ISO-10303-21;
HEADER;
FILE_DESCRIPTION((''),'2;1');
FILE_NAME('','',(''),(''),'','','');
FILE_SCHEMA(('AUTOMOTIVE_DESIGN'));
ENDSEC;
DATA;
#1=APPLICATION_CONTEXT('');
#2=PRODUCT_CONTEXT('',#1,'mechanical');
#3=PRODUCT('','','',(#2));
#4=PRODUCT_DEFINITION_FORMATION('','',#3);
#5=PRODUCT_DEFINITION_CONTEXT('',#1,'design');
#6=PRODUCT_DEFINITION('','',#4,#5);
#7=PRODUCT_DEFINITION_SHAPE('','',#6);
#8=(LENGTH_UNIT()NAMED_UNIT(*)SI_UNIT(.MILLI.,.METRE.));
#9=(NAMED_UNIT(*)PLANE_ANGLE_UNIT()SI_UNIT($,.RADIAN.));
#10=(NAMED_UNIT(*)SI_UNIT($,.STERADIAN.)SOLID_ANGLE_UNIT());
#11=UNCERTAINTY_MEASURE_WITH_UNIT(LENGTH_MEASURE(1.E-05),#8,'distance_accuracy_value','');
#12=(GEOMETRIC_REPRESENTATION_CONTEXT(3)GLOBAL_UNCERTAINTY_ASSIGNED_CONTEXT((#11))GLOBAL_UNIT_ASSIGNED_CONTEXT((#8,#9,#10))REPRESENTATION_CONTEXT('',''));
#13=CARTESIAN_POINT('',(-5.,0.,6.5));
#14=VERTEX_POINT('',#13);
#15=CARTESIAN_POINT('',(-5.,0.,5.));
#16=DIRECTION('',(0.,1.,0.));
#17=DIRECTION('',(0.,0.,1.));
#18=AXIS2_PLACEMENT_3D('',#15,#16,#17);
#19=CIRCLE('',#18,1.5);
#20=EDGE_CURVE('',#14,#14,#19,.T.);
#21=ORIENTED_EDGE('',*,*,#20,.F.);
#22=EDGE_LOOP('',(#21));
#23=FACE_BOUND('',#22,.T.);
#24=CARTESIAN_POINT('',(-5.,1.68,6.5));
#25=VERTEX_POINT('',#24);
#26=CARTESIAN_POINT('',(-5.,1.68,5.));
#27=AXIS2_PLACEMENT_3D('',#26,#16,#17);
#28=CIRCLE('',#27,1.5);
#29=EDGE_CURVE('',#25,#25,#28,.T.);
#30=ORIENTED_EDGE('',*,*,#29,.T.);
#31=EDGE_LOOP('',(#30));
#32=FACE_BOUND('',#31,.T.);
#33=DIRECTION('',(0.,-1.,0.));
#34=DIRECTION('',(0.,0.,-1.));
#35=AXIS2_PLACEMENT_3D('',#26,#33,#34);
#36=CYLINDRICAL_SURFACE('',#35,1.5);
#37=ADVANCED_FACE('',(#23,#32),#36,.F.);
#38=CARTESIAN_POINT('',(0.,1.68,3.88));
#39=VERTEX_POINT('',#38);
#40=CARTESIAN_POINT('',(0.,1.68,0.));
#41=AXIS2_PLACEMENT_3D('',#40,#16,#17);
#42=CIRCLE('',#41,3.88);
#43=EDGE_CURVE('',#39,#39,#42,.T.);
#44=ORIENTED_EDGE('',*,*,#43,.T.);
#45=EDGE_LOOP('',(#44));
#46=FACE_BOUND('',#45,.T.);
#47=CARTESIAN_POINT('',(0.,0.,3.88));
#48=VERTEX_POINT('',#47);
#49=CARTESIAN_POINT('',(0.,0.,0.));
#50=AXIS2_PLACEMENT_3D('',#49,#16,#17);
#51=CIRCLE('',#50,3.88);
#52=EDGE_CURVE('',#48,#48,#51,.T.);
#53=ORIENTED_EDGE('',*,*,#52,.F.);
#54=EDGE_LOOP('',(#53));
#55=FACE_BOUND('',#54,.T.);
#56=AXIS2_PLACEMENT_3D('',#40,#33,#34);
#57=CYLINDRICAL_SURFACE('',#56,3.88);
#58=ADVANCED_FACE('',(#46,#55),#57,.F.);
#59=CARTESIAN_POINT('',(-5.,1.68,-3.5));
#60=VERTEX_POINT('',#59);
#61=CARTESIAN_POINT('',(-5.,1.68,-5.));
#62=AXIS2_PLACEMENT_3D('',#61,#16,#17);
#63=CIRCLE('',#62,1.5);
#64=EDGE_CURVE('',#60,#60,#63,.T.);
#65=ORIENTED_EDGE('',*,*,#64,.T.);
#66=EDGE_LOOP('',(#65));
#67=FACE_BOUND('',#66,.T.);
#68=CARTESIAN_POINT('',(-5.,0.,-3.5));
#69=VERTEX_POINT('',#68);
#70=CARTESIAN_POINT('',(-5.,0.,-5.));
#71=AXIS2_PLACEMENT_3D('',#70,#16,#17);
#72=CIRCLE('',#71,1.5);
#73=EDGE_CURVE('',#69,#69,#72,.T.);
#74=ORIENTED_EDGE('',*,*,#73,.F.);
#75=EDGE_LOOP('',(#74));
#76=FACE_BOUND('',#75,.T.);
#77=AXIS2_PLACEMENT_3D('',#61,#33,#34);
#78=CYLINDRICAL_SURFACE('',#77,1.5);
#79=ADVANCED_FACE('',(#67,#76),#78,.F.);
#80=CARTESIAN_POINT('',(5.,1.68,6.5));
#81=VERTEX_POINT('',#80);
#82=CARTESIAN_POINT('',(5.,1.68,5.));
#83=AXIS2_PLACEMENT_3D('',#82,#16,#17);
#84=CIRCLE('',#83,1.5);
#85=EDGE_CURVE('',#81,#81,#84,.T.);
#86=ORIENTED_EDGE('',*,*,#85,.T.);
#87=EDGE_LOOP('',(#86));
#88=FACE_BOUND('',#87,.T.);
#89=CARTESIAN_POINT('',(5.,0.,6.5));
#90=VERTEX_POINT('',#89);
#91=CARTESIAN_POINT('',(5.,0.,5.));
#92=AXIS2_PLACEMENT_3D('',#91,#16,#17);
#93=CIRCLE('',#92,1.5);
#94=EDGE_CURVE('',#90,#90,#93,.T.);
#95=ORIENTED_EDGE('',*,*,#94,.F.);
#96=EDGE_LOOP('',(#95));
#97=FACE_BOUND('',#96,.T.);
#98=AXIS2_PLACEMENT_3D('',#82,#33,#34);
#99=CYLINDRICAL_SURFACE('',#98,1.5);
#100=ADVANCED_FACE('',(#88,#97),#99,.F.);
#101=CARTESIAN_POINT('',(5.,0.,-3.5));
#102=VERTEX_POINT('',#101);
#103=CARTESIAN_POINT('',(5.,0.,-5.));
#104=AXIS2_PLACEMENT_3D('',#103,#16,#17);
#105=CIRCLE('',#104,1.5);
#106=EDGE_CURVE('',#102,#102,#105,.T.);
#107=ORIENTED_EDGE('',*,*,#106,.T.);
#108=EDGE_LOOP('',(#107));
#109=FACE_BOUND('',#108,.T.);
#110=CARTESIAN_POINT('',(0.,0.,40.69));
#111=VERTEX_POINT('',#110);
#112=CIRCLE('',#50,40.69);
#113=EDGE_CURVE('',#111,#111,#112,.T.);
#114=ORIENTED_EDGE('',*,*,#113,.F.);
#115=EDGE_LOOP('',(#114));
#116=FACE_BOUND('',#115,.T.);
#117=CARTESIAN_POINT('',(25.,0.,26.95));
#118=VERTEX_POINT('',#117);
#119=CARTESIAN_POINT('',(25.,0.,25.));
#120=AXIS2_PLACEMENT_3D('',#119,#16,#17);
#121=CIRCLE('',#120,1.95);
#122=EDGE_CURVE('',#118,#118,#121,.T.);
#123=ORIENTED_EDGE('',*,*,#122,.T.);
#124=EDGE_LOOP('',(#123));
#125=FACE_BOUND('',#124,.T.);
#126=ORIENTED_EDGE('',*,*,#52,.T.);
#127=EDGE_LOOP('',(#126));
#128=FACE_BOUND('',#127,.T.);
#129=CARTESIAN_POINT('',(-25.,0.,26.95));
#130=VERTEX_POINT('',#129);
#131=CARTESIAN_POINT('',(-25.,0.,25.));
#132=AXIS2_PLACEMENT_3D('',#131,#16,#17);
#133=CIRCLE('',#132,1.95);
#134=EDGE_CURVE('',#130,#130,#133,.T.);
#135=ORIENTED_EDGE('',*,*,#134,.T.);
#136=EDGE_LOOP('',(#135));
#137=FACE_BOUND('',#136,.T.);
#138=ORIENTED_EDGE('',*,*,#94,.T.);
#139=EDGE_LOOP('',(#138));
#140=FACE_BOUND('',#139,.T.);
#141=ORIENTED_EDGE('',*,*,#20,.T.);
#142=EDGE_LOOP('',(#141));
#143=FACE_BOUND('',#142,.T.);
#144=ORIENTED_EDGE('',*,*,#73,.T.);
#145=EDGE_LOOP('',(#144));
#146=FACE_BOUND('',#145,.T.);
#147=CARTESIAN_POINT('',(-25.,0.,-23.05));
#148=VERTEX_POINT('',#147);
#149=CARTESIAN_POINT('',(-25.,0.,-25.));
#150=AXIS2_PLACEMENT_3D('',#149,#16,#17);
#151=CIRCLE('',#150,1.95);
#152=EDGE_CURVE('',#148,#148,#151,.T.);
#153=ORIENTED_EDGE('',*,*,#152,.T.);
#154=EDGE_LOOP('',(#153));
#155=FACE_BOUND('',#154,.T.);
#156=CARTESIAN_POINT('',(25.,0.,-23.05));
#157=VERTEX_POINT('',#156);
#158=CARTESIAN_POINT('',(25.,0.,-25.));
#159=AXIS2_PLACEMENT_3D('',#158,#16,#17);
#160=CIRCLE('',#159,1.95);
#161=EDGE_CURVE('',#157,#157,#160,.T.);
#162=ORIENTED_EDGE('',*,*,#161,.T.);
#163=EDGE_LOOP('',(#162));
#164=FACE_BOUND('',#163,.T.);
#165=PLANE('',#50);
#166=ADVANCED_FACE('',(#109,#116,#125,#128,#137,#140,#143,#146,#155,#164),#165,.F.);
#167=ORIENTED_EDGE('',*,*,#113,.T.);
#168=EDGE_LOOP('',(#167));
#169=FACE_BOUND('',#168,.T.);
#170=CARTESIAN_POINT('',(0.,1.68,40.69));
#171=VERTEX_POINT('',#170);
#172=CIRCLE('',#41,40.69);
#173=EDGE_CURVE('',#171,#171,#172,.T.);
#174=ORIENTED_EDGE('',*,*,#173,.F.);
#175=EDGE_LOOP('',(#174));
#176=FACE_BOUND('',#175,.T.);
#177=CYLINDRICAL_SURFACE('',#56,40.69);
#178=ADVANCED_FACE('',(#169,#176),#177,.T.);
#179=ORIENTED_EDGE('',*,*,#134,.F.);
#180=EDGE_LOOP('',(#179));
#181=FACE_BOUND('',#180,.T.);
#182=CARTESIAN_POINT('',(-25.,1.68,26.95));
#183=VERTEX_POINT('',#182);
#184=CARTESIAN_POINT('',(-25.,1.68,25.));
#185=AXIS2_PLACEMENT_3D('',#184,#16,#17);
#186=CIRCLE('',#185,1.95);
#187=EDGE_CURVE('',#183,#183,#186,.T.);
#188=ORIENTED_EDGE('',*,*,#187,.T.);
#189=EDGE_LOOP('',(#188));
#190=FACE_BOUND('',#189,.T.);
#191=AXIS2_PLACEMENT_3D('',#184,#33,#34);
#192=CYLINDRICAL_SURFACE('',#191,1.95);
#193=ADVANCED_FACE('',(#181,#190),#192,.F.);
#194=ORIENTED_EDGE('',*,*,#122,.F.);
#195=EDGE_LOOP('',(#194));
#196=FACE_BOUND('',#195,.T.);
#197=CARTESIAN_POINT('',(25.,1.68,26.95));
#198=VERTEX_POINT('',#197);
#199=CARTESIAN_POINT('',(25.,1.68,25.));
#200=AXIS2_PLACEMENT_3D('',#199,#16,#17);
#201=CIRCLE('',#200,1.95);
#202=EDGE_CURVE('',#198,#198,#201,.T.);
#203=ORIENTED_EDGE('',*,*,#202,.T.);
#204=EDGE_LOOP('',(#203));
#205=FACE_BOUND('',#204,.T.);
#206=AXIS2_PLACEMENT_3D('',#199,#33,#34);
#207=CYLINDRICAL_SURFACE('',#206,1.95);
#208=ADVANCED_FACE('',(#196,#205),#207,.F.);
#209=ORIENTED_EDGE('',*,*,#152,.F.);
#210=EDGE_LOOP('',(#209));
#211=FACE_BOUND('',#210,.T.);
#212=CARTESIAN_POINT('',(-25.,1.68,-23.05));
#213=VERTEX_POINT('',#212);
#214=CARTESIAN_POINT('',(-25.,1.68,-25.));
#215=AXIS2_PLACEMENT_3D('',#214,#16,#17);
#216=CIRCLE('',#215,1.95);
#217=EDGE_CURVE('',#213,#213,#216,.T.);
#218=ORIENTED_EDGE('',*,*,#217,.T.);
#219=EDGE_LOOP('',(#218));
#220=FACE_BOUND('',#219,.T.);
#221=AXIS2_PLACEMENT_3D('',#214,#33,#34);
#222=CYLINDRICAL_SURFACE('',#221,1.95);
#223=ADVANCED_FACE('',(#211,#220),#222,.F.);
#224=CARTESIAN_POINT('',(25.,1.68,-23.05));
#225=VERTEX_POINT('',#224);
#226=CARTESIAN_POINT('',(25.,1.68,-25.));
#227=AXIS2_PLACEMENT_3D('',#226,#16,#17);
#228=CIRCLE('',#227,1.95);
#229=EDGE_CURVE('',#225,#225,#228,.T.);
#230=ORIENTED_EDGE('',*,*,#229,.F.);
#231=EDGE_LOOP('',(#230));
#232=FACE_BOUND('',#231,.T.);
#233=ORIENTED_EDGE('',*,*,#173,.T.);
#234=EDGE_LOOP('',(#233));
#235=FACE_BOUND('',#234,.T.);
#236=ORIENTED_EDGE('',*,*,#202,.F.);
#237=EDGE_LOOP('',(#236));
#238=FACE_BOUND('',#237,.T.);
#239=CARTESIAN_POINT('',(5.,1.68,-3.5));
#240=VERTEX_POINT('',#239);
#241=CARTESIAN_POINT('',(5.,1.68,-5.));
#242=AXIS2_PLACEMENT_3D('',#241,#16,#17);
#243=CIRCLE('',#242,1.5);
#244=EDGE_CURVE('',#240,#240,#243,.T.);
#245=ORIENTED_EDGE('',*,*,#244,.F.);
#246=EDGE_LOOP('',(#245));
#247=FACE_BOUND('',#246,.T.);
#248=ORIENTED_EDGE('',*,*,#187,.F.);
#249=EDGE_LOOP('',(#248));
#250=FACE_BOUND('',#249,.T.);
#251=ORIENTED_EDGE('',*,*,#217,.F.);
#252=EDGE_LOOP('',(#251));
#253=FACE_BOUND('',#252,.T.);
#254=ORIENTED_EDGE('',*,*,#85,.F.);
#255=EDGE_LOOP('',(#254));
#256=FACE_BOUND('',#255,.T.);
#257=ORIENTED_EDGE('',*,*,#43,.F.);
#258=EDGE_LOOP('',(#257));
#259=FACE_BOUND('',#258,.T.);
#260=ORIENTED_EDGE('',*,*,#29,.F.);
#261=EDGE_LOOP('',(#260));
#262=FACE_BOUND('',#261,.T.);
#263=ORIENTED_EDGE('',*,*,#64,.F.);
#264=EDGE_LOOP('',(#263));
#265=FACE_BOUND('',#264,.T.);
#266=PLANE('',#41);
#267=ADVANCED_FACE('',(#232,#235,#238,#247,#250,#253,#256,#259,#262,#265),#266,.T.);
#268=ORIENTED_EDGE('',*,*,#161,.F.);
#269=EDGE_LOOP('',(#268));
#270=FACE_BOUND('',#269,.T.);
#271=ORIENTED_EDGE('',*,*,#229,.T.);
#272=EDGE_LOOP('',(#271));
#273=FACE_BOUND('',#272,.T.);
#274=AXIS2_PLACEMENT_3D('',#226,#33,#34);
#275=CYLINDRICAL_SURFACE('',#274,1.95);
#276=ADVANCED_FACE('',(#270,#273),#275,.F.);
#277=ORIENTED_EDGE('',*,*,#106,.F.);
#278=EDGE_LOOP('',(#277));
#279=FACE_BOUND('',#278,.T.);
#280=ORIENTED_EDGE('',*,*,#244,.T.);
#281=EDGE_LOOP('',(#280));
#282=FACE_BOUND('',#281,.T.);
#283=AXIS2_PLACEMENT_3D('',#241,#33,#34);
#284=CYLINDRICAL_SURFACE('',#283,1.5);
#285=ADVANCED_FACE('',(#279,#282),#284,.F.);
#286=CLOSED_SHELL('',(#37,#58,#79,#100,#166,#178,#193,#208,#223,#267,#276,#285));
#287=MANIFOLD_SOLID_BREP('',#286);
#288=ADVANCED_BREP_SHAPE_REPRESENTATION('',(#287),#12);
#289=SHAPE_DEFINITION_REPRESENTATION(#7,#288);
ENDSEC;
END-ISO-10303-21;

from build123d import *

# Parameters (mm, degrees)
SKETCH1_R           = 40.69
SKETCH1_R_2         = 1.95
SKETCH1_R_3         = 1.5
SKETCH1_R_4         = 3.88
BOSS_EXTRUDE1_DEPTH = 1.68


with BuildPart() as part:
    # Sketch1 → Boss-Extrude1 (new body)
    with BuildSketch(Plane(origin=(0, 0, 0), x_dir=(1, 0, 0), z_dir=(0, 1, 0))):
        with Locations(Location((0, 0, 0), (0, 0, 270))):
            Circle(SKETCH1_R)
        with Locations(Location((-25, 25, 0), (0, 0, 270))):
            Circle(SKETCH1_R_2, mode=Mode.SUBTRACT)
        with Locations(Location((25, 25, 0), (0, 0, 270))):
            Circle(SKETCH1_R_2, mode=Mode.SUBTRACT)
        with Locations(Location((25, -25, 0), (0, 0, 270))):
            Circle(SKETCH1_R_2, mode=Mode.SUBTRACT)
        with Locations(Location((-25, -25, 0), (0, 0, 270))):
            Circle(SKETCH1_R_2, mode=Mode.SUBTRACT)
        with Locations(Location((-5, 5, 0), (0, 0, 270))):
            Circle(SKETCH1_R_3, mode=Mode.SUBTRACT)
        with Locations(Location((5, 5, 0), (0, 0, 270))):
            Circle(SKETCH1_R_3, mode=Mode.SUBTRACT)
        with Locations(Location((5, -5, 0), (0, 0, 270))):
            Circle(SKETCH1_R_3, mode=Mode.SUBTRACT)
        with Locations(Location((-5, -5, 0), (0, 0, 270))):
            Circle(SKETCH1_R_3, mode=Mode.SUBTRACT)
        with Locations(Location((0, 0, 0), (0, 0, 270))):
            Circle(SKETCH1_R_4, mode=Mode.SUBTRACT)
    extrude(amount=BOSS_EXTRUDE1_DEPTH)


solid = part.part
